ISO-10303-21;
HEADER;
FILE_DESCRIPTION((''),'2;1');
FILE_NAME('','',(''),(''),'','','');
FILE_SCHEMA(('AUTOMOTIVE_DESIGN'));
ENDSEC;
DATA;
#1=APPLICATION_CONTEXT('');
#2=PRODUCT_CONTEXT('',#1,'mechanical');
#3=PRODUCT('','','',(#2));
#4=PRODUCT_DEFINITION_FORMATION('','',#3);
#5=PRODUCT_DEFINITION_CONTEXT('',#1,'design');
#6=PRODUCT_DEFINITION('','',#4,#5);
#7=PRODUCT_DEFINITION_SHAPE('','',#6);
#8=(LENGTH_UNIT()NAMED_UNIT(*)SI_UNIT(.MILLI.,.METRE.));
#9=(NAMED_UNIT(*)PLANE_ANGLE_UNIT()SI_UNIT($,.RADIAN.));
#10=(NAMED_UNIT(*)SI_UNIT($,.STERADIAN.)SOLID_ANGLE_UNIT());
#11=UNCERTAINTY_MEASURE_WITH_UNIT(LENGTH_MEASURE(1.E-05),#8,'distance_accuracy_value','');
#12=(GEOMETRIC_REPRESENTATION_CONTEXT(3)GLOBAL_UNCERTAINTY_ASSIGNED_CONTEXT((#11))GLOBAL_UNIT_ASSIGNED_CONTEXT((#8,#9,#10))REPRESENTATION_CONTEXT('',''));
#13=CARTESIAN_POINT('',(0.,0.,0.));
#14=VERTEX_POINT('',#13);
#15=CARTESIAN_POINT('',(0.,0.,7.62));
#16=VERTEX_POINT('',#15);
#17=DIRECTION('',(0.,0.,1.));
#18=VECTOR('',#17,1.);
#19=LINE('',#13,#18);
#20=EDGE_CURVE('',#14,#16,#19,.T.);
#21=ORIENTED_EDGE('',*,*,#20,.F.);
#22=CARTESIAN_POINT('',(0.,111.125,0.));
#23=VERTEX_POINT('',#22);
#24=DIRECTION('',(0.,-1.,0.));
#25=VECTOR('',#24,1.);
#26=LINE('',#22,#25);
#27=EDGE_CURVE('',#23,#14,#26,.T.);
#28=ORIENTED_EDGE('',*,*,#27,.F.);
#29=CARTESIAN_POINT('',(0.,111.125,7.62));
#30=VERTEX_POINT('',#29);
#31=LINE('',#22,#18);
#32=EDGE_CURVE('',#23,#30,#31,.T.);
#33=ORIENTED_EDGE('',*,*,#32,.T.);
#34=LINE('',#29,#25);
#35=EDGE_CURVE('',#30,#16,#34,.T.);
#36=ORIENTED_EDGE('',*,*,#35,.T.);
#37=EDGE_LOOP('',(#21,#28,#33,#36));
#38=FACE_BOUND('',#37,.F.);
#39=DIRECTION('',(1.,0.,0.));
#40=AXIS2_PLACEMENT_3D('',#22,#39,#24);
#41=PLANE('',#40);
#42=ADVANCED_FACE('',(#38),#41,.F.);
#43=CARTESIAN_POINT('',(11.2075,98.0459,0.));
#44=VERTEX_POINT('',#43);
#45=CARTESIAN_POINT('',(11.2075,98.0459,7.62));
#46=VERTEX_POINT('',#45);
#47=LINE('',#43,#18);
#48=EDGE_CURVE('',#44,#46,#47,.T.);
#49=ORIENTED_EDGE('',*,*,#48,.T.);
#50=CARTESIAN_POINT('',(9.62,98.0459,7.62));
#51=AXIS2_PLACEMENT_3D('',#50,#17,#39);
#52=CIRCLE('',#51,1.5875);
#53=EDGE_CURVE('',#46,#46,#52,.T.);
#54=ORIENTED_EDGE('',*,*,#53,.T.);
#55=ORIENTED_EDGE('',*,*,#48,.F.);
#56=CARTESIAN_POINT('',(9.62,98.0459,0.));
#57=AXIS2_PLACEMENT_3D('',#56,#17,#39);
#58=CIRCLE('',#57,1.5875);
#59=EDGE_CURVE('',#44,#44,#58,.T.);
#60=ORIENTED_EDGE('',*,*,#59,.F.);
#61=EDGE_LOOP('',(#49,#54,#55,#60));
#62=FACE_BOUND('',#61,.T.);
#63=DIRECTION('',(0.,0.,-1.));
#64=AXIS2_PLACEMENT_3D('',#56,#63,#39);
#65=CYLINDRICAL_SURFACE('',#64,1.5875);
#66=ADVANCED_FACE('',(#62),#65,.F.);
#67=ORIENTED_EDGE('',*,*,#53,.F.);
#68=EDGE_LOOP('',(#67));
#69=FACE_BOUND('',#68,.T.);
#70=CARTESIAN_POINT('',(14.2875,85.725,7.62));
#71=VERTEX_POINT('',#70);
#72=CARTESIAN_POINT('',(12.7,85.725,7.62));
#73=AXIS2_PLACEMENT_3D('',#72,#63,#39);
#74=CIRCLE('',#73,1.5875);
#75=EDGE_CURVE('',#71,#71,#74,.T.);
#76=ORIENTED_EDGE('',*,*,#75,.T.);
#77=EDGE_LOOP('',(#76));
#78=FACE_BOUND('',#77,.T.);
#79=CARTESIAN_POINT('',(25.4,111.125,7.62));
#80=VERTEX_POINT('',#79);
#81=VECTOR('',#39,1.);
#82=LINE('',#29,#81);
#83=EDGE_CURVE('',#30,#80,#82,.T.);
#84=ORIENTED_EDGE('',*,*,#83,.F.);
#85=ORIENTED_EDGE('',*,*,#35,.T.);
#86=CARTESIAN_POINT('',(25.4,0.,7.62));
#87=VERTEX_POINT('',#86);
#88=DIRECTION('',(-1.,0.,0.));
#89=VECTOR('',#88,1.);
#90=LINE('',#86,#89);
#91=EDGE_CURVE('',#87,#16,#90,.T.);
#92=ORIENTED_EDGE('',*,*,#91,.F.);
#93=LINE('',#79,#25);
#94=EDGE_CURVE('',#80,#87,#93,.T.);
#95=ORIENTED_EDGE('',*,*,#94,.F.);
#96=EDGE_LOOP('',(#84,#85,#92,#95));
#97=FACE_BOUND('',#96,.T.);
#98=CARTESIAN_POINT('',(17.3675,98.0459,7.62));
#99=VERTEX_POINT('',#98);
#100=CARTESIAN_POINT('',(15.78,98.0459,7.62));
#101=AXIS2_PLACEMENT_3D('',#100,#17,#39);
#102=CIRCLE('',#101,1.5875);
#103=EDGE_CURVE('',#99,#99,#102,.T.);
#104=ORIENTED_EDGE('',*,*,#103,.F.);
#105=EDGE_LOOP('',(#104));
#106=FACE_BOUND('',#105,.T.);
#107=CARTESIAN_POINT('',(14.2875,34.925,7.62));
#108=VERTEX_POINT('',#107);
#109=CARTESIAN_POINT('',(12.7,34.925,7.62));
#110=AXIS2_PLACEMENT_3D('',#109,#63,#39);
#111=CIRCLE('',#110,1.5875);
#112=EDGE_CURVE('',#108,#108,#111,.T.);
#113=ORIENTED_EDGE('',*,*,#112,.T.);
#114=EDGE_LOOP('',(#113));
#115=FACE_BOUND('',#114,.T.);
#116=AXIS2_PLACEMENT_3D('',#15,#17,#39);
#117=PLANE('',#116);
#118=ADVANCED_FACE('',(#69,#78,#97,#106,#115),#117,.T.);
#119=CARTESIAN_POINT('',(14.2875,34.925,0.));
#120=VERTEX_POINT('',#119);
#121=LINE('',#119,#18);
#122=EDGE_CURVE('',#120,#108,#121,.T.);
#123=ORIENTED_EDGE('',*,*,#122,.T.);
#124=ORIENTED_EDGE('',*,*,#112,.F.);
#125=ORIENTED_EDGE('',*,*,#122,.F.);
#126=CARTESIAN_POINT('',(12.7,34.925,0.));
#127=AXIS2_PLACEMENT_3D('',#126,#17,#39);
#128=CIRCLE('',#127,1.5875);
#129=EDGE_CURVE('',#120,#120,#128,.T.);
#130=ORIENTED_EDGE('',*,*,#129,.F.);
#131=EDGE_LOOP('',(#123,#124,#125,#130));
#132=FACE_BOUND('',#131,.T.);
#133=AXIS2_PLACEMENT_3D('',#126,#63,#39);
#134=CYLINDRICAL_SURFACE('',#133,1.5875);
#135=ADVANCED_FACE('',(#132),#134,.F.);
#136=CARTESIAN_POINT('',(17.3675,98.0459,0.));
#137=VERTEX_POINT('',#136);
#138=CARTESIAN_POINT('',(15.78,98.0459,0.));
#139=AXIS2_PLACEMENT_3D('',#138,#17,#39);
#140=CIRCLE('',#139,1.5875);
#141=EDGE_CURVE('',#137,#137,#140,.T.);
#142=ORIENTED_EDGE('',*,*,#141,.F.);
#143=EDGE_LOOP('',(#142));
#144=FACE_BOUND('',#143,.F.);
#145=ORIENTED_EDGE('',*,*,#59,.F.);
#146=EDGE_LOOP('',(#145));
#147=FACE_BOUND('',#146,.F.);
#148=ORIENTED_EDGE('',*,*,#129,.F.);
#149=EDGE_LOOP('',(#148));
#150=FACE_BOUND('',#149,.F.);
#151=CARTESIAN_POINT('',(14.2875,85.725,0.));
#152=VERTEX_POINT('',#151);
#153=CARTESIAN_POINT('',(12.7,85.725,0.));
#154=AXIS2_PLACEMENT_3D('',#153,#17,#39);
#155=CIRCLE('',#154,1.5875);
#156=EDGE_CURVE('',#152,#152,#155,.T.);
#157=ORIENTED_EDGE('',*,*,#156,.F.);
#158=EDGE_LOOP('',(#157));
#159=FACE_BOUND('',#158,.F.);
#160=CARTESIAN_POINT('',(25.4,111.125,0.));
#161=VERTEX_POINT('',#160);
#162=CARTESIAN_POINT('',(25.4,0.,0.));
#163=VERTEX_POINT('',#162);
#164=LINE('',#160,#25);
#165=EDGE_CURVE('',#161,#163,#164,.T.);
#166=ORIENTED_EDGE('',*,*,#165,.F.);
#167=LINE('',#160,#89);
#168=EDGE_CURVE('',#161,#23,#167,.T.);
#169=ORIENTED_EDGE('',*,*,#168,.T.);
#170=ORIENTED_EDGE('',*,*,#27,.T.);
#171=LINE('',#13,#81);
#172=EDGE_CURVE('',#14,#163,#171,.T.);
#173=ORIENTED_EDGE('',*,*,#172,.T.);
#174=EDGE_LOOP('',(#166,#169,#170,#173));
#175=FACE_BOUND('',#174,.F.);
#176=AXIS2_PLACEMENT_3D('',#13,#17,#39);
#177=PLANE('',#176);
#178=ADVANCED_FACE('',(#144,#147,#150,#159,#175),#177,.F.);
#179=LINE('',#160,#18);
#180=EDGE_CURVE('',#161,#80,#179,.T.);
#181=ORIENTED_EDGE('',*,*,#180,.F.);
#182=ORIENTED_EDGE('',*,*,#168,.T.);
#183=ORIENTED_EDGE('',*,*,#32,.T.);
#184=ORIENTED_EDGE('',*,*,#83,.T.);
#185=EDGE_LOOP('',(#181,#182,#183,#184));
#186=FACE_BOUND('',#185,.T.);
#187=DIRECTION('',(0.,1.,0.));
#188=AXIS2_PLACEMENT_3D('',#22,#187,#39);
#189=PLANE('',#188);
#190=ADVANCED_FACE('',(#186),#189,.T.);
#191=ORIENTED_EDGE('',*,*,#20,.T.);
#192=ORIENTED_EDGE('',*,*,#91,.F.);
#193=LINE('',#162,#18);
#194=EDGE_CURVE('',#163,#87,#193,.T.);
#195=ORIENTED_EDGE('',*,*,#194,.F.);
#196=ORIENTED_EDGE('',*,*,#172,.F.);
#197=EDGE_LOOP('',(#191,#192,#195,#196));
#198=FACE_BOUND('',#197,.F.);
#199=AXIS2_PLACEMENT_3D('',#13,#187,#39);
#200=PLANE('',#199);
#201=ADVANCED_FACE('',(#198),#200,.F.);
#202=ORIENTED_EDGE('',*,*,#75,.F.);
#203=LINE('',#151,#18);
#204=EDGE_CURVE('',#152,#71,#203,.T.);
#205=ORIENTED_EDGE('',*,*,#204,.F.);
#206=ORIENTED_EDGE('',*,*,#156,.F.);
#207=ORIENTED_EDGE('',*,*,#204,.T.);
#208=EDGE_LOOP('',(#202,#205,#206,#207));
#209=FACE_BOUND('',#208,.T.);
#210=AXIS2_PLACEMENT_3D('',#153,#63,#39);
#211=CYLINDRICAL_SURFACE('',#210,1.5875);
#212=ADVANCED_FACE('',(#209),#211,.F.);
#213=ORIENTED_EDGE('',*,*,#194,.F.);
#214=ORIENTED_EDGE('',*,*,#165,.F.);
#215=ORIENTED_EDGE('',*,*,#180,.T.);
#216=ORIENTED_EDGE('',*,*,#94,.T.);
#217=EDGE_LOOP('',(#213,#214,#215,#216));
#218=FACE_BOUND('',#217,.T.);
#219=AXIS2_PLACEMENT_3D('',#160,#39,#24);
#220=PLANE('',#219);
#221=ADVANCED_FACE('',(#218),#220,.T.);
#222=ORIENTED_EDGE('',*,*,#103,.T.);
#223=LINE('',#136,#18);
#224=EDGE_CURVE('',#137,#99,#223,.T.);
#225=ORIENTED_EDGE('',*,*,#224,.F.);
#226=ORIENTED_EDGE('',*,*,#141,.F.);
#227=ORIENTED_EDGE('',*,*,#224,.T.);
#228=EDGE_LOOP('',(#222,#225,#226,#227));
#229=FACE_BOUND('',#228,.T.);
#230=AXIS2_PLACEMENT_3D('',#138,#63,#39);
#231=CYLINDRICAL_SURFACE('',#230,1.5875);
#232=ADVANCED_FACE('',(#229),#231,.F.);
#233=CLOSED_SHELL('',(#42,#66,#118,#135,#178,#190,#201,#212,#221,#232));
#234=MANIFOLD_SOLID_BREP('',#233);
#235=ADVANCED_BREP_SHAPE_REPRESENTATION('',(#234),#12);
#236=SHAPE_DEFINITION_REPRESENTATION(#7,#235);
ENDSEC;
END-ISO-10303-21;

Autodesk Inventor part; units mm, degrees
ref_plane "YZ Plane" through (0, 0, 0) normal (1, 0, 0) x (0, 1, 0)
ref_plane "XZ Plane" through (0, 0, 0) normal (0, 1, 0) x (-1, 0, 0)
ref_plane "XY Plane" through (0, 0, 0) normal (0, 0, 1) x (1, 0, 0)
sketch "Sketch1" plane through (0, 0, 0) normal (1, 0, 0) x (0, 1, 0)
  line L0 (0, 0) -> (111.125, 0)
  line L1 (111.125, 0) -> (111.125, -12.7)
  line L2 (111.125, -12.7) -> (-9.525, -12.7)
  line L3 (-9.525, -12.7) -> (-9.525, 50.8)
  line L4 (-9.525, 50.8) -> (0, 50.8)
  line L5 (0, 50.8) -> (0, 0)
  line L6 (0, 0) -> (0, -12.7)
  dimension "d0" = 111.125
  dimension "d1" = 12.7
  dimension "d2" = 120.65
  dimension "d3" = 63.5
ref_plane "Work Plane1" through (0, 0, 0) normal (0, 0, 1) x (1, 0, 0)
sketch "Sketch2" plane through (0, 0, 0) normal (0, 0, 1) x (1, 0, 0)
  line L0 (0, 0) -> (25.4, 0) projected
  circle A0 centre (12.7, 34.925) radius 1.5875
  circle A1 centre (12.7, 85.725) radius 1.5875
  circle A2 centre (15.78, 98.0459) radius 1.5875
  line L1 (25.4, 111.125) -> (25.4, 0) projected
  line L2 (0, 111.125) -> (0, 0) projected
  circle A3 centre (9.62, 98.0459) radius 1.5875
  line L3 (0, 111.125) -> (25.4, 111.125) projected
  line L4 (12.7, 111.125) -> (12.7, 0)
  point P0 (0, -9.461)
  point P1 (0, 20.0924)
  point P2 (40.0812, 20.0924)
  point P3 (25.4, 20.0924)
  dimension "d7" = 3.175
  dimension "d8" = 3.175
  dimension "d9" = 34.925
  dimension "d10" = 50.8
  dimension "d11" = 3.175
  dimension "d12" = 12.7
  dimension "d17" = 3.175
  dimension "d18" = 12.7
  dimension "d22" = 3.08
  dimension "d23" = 3.08
extrude "Extrusion4" add sketch "Sketch2" along normal blind 7.62 contours L2 L3 L4 A1 A0 L0 | L4 A0 A1 L3 L1 L0
properties part number "Base Cutting Jig"
